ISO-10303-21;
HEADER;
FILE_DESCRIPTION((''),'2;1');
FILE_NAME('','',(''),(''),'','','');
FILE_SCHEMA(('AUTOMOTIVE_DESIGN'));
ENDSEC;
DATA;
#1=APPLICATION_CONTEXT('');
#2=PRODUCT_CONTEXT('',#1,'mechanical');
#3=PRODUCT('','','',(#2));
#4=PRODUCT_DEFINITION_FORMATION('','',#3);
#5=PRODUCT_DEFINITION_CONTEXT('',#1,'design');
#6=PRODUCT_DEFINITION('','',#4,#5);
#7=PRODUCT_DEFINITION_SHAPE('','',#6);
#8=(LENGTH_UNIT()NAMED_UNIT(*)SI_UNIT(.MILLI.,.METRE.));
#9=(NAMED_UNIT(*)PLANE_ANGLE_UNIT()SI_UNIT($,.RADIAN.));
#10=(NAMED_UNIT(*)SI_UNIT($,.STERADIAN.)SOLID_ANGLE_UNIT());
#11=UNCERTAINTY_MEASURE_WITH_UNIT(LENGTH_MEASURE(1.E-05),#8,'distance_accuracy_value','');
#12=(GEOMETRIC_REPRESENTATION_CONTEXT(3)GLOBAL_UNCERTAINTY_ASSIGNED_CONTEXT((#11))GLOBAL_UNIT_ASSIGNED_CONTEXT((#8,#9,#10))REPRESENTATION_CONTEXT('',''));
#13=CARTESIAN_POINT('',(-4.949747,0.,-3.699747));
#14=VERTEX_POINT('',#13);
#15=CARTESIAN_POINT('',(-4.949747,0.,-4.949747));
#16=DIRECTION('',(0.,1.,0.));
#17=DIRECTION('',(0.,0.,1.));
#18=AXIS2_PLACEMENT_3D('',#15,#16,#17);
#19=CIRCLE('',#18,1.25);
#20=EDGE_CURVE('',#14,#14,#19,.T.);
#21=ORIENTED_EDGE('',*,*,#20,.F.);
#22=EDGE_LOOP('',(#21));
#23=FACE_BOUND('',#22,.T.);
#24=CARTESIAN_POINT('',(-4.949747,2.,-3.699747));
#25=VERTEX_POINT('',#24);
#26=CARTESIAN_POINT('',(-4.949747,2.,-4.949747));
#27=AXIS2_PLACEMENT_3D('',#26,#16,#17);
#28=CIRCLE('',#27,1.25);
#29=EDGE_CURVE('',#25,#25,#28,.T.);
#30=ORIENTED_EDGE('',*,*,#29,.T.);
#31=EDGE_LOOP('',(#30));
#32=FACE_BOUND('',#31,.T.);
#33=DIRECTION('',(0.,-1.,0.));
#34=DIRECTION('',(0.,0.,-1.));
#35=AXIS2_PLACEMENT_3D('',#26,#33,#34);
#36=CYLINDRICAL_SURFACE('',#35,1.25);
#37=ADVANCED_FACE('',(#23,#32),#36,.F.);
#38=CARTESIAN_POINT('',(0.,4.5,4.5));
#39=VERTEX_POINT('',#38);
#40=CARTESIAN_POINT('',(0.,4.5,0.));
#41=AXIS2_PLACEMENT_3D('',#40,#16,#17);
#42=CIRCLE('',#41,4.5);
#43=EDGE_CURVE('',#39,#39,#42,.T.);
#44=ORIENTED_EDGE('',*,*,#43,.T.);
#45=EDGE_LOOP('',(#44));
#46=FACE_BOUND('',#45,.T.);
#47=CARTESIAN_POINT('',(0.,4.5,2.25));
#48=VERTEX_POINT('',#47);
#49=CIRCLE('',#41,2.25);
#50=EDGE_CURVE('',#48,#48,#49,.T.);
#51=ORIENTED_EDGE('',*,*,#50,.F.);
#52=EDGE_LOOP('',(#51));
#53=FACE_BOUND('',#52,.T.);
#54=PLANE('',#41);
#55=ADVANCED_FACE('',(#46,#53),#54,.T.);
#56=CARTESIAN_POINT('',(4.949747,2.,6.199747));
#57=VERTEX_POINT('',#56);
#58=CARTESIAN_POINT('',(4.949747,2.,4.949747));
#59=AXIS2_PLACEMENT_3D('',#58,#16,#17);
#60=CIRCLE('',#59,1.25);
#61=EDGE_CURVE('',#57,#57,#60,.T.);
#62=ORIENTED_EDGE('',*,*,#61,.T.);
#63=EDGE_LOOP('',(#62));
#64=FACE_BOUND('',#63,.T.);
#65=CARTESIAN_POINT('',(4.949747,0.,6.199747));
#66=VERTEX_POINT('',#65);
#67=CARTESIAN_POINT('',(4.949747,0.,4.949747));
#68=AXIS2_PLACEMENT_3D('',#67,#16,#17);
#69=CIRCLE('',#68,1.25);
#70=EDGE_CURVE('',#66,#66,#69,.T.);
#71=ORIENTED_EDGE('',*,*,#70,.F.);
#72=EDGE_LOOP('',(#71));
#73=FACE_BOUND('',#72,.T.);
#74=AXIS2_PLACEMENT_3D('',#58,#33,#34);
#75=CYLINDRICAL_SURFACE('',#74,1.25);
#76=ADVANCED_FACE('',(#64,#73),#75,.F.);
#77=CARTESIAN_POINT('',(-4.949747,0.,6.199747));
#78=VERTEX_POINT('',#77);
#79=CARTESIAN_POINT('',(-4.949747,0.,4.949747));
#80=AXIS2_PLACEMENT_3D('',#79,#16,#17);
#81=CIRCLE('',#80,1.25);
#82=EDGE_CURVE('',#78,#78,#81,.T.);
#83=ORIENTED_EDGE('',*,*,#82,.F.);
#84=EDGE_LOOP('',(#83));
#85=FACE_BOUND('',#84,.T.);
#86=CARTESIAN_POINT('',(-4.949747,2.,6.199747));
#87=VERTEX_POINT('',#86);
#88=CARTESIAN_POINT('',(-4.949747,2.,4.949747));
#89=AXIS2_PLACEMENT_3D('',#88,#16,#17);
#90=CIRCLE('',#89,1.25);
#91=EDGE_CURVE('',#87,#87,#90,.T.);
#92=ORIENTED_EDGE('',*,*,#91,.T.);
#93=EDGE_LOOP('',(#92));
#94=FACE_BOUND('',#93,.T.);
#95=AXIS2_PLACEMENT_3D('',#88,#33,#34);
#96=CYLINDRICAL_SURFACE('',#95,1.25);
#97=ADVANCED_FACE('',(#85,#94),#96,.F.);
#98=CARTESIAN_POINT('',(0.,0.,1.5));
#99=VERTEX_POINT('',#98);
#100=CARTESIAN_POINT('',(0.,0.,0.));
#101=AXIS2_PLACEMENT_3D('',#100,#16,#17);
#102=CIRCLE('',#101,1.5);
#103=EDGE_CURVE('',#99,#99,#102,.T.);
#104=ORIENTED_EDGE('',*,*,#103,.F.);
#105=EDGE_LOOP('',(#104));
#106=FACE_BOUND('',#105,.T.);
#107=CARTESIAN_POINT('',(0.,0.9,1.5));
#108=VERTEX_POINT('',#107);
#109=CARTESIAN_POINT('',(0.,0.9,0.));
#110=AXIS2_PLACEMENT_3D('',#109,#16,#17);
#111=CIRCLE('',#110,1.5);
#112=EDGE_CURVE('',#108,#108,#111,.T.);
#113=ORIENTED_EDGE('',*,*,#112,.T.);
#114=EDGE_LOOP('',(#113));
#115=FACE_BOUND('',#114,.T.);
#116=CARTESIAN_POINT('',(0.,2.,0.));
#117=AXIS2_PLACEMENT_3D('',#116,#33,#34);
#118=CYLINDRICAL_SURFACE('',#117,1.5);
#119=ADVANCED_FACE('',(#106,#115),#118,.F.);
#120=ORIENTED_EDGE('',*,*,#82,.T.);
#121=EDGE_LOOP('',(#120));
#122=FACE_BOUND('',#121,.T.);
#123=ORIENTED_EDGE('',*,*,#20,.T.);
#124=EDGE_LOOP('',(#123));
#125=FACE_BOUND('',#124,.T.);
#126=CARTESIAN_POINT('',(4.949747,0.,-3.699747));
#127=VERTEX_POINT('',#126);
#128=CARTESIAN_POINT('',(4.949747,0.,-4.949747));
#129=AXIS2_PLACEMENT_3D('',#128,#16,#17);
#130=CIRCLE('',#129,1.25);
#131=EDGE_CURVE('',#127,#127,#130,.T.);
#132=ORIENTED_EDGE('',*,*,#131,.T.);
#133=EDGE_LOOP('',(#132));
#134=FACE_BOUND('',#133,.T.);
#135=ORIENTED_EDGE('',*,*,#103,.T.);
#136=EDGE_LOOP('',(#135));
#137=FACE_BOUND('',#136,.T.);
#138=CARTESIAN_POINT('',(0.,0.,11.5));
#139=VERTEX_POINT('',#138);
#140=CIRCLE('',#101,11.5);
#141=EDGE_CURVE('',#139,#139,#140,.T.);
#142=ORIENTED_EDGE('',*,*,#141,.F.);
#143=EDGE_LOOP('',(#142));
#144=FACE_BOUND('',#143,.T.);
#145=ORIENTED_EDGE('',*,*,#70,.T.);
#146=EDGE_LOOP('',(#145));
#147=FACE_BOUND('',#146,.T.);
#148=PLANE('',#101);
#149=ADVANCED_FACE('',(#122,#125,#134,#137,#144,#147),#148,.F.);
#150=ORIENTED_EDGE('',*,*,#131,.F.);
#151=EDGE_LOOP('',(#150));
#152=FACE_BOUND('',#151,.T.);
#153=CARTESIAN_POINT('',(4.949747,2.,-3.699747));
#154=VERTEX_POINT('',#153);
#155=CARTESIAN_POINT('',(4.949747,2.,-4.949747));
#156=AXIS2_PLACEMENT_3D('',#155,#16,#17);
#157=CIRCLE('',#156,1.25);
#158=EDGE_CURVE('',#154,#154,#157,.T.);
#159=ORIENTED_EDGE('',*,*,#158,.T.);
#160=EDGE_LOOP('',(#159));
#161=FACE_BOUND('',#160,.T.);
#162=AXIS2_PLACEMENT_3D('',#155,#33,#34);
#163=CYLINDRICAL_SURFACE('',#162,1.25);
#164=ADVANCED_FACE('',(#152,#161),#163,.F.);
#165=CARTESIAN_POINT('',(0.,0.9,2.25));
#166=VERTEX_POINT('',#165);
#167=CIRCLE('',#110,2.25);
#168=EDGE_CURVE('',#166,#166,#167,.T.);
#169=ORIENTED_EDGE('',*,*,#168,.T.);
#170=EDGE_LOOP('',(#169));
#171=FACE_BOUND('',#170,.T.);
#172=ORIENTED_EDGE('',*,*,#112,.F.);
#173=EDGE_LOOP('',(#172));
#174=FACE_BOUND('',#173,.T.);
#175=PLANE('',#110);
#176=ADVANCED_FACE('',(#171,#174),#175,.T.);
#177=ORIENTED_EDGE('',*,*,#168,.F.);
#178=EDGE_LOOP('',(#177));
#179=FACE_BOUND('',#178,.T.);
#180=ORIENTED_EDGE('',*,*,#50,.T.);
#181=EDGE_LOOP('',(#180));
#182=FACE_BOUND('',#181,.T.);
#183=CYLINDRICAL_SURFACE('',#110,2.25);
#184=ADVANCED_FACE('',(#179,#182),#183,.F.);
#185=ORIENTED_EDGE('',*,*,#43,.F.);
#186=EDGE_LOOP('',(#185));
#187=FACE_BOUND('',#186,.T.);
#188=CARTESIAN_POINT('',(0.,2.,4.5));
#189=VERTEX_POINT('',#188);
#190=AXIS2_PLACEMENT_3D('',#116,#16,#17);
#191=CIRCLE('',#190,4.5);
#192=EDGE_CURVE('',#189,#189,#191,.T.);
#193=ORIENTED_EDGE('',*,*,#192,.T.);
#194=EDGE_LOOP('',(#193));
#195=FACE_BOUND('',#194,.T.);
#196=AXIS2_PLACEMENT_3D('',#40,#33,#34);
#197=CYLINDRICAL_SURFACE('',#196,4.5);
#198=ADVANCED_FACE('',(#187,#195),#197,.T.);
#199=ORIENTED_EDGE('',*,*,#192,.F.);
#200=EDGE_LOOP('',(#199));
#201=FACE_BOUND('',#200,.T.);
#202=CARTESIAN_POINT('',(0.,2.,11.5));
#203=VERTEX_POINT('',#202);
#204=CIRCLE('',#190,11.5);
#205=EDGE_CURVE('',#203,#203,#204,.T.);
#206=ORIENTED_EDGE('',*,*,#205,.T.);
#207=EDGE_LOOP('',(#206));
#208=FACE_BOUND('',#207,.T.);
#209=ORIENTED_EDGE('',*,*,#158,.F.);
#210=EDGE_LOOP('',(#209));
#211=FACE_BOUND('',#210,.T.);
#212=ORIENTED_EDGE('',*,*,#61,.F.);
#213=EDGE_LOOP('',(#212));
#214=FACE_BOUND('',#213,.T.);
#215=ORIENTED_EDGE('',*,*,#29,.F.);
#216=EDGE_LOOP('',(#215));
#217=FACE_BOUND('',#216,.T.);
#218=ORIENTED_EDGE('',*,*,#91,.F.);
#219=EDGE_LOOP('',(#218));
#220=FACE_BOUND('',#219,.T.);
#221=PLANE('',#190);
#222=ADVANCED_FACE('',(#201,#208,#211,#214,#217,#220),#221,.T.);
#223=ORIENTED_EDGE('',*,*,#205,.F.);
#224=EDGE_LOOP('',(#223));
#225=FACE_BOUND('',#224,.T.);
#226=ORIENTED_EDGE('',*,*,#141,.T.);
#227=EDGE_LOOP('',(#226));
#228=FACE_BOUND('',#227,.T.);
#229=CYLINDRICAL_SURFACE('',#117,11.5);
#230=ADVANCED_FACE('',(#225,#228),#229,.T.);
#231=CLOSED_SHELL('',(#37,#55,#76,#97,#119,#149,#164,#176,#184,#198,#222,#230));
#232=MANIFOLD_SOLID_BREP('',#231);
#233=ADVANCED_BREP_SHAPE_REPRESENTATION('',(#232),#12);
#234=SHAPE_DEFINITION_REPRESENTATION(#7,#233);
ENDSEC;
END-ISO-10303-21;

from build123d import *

# Parameters (mm, degrees)
SKETCH1_R           = 11.5
SKETCH1_R_2         = 1.25
SKETCH1_R_3         = 1.5
BOSS_EXTRUDE1_DEPTH = 2
SKETCH2_R           = 4.5
SKETCH2_R_2         = 1.5
BOSS_EXTRUDE2_DEPTH = 2.5
SKETCH3_R           = 2.25
CUT_EXTRUDE1_DEPTH  = 3.6


with BuildPart() as part:
    # Sketch1 → Boss-Extrude1 (new body)
    with BuildSketch(Plane(origin=(0, 0, 0), x_dir=(1, 0, 0), z_dir=(0, 1, 0))):
        with Locations(Location((0, 0, 0), (0, 0, 270))):
            Circle(SKETCH1_R)
        with Locations(Location((-4.949747468, 4.949747468, 0), (0, 0, 270))):
            Circle(SKETCH1_R_2, mode=Mode.SUBTRACT)
        with Locations(Location((4.949747468, 4.949747468, 0), (0, 0, 270))):
            Circle(SKETCH1_R_2, mode=Mode.SUBTRACT)
        with Locations(Location((4.949747468, -4.949747468, 0), (0, 0, 270))):
            Circle(SKETCH1_R_2, mode=Mode.SUBTRACT)
        with Locations(Location((-4.949747468, -4.949747468, 0), (0, 0, 270))):
            Circle(SKETCH1_R_2, mode=Mode.SUBTRACT)
        with Locations(Location((0, 0, 0), (0, 0, 270))):
            Circle(SKETCH1_R_3, mode=Mode.SUBTRACT)
    extrude(amount=BOSS_EXTRUDE1_DEPTH)

    # Sketch2 → Boss-Extrude2 (add)
    with BuildSketch(Plane(origin=(0, 2, 0), x_dir=(1, 0, 0), z_dir=(0, 1, 0))):
        with Locations(Location((0, 0, 0), (0, 0, 270))):
            Circle(SKETCH2_R)
        with Locations(Location((0, 0, 0), (0, 0, 270))):
            Circle(SKETCH2_R_2, mode=Mode.SUBTRACT)
    extrude(amount=BOSS_EXTRUDE2_DEPTH)

    # Sketch3 → Cut-Extrude1 (cut)
    with BuildSketch(Plane(origin=(0, 4.5, 0), x_dir=(1, 0, 0), z_dir=(0, 1, 0))):
        with Locations(Location((0, 0, 0), (0, 0, 270))):
            Circle(SKETCH3_R)
    extrude(amount=-CUT_EXTRUDE1_DEPTH, mode=Mode.SUBTRACT)


solid = part.part
